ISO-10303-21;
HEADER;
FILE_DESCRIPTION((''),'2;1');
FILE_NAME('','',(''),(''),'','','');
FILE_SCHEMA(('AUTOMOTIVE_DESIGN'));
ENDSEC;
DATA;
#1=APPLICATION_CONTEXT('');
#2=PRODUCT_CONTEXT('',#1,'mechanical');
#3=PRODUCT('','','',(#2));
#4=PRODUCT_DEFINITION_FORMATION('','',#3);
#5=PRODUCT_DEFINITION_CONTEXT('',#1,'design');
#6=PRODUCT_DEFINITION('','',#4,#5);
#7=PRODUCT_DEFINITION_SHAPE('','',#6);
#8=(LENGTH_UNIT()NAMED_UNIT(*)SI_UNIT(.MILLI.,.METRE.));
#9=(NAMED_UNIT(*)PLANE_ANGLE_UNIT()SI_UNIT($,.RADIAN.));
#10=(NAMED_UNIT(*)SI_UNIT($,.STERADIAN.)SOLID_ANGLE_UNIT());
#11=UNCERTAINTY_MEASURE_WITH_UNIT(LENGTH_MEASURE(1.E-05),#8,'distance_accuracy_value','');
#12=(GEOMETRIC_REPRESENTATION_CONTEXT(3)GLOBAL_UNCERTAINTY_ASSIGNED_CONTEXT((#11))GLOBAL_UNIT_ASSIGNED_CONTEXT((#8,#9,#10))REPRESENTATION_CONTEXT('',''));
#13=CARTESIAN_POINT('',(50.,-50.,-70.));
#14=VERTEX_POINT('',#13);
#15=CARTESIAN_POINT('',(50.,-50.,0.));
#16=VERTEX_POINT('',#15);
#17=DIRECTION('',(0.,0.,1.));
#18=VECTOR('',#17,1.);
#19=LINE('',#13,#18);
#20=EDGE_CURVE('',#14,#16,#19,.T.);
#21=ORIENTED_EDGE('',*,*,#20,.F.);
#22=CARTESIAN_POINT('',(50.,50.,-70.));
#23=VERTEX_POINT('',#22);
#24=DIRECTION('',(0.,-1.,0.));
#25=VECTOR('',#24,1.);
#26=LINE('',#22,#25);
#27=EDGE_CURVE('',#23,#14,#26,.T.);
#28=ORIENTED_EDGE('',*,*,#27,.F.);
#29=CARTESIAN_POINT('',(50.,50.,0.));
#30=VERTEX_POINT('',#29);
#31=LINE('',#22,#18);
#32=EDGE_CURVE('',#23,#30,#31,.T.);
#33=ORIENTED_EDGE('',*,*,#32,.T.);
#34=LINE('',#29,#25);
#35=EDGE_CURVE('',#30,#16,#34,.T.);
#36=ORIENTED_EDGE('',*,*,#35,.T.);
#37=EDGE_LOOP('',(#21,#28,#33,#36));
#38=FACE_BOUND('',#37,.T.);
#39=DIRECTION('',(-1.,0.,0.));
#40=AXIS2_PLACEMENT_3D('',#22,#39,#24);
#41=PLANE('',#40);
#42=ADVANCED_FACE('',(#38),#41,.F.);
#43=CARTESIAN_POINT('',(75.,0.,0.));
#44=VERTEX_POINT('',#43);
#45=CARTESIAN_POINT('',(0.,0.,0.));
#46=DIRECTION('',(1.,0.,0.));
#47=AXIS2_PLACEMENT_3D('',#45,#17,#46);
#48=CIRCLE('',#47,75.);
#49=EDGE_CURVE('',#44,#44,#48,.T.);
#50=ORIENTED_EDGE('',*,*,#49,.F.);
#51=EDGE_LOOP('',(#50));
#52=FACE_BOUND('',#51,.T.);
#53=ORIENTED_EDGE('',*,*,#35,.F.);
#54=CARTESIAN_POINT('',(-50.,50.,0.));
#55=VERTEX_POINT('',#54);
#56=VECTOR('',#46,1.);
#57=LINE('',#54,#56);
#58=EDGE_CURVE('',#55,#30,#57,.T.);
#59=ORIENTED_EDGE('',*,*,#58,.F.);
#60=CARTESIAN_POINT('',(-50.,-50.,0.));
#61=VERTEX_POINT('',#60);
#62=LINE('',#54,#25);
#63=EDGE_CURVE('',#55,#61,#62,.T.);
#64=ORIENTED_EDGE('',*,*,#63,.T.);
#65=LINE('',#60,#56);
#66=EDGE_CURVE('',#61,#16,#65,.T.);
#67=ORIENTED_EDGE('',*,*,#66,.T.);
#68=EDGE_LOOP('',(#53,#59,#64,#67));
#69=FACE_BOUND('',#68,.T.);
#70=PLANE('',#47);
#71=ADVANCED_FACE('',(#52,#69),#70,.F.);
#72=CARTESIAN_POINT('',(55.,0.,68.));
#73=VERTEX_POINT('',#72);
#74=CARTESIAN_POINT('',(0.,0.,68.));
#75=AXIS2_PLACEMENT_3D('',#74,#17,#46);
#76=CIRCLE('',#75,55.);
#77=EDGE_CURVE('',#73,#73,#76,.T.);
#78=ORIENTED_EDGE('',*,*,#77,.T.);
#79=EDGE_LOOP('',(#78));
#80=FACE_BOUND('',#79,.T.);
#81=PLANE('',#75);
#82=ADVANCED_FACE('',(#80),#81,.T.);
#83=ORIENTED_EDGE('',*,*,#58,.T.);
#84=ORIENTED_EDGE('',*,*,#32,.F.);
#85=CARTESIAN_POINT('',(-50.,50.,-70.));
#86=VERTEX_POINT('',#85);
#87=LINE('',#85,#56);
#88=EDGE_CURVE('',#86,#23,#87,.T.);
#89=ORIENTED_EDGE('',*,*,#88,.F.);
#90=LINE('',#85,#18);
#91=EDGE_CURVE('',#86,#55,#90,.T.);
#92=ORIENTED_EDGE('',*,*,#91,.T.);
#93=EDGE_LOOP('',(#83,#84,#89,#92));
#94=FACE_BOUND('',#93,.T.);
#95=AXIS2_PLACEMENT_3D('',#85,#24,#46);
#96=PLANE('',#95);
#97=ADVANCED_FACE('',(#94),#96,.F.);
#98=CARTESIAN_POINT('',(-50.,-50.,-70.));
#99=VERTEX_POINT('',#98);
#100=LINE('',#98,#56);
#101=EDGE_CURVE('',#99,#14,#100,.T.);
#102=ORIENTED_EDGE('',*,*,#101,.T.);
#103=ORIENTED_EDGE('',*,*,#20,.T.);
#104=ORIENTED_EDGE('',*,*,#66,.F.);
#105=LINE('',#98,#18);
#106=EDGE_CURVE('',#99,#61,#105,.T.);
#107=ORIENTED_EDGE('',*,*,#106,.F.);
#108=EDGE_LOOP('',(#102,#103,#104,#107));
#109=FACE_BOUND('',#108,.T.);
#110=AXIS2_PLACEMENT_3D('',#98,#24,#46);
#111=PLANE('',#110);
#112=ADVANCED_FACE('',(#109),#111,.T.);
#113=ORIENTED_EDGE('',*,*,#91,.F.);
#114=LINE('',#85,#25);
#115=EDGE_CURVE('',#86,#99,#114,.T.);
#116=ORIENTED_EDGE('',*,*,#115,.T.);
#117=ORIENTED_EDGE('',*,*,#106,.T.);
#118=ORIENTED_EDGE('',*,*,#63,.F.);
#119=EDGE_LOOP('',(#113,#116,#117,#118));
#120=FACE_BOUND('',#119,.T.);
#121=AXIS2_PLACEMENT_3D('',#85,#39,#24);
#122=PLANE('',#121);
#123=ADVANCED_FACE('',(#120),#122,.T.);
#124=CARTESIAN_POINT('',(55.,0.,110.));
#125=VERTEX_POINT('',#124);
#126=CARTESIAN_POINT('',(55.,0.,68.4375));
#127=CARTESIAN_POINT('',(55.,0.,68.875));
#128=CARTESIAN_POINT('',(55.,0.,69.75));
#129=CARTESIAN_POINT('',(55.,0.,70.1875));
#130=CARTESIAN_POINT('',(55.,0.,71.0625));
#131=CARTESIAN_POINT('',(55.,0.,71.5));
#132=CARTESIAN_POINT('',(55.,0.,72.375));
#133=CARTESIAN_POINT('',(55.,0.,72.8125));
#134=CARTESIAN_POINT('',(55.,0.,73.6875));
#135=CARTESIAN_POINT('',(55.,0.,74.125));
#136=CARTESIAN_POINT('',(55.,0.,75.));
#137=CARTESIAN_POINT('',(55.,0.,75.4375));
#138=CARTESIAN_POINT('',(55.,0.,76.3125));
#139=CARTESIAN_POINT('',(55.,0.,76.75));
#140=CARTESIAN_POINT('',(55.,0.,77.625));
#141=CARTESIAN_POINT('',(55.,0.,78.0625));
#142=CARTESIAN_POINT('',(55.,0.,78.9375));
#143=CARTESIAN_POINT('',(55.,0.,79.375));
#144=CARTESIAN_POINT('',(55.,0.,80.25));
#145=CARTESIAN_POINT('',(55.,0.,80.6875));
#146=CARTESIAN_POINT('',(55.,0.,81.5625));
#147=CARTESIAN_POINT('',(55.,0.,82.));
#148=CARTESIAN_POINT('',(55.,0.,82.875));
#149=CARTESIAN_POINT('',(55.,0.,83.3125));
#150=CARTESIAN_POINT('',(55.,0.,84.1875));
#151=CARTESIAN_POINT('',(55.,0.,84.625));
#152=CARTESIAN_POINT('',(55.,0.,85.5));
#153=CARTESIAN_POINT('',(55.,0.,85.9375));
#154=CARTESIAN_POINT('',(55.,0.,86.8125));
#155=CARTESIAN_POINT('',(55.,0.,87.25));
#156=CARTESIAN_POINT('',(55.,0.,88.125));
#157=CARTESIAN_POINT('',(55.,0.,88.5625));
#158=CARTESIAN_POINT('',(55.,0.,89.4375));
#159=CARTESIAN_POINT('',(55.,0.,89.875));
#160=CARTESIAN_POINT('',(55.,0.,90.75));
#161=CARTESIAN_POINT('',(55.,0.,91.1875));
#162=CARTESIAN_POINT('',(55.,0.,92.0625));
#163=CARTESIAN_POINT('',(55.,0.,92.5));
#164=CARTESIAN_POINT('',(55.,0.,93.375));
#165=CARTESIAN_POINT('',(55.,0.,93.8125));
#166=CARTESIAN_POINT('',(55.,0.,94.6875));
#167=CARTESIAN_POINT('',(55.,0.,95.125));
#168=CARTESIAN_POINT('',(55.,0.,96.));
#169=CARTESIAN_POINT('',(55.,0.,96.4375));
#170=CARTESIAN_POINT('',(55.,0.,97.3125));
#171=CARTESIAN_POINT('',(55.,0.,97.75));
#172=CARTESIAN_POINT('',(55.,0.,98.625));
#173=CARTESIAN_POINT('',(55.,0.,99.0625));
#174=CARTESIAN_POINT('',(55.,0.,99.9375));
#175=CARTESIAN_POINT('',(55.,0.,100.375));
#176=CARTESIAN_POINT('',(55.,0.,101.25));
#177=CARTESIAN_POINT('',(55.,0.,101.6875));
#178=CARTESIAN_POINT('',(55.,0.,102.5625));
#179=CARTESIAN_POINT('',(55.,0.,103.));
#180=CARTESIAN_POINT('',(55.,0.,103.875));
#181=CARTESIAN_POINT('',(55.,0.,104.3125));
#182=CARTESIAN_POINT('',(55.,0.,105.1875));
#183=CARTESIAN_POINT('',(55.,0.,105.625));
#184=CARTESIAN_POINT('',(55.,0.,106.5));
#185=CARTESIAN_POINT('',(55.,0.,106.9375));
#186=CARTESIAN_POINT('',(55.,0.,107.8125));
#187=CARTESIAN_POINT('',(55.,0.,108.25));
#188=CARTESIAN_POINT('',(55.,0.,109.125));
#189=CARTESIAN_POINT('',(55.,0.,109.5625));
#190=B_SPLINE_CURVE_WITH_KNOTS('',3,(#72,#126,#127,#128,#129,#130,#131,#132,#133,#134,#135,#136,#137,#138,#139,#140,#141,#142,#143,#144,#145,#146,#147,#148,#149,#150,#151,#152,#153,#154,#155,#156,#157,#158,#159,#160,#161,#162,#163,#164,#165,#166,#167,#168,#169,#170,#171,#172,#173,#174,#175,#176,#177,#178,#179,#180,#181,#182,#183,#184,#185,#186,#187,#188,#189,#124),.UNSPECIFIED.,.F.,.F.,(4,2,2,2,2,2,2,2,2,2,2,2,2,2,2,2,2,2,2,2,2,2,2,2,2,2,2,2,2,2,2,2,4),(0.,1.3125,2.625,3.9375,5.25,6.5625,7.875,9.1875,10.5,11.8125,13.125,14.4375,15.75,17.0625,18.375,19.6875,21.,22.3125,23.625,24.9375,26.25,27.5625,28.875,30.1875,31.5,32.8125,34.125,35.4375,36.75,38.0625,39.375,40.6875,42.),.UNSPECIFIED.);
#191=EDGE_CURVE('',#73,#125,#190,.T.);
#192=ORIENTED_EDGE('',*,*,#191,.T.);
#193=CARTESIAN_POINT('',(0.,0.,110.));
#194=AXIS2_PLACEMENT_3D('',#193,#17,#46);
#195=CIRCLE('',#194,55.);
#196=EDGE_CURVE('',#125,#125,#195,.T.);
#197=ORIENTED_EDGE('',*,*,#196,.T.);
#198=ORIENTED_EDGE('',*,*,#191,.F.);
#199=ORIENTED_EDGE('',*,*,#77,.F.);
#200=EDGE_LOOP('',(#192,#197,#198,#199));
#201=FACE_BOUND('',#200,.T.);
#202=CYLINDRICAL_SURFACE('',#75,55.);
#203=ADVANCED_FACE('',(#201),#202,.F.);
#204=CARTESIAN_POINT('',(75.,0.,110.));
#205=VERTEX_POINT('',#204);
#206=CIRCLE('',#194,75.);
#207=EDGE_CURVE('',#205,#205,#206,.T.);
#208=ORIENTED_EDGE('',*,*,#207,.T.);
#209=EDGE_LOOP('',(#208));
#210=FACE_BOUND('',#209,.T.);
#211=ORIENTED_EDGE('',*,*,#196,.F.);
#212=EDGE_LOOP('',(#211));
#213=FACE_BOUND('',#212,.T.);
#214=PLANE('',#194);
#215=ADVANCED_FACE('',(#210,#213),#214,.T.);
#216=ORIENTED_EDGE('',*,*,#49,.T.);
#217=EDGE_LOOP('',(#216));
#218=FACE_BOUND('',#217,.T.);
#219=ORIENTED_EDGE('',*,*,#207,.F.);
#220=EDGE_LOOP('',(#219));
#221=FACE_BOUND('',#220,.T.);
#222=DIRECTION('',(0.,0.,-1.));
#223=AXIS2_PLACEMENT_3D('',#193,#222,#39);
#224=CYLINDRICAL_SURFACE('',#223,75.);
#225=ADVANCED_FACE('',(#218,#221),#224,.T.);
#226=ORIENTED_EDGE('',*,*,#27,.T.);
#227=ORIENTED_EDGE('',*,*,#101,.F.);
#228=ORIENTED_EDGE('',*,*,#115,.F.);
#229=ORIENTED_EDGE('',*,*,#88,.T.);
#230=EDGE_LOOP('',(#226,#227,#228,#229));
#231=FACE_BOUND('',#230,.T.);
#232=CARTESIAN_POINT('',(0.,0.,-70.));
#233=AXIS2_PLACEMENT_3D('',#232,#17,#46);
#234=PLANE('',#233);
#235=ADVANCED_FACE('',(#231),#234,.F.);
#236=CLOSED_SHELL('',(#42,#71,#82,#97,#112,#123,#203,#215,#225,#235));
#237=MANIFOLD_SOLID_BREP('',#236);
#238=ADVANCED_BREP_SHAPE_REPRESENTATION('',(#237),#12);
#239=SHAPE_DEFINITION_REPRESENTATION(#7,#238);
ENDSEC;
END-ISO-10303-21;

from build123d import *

# Parameters (mm, degrees)
SKETCH1_R           = 75
BOSS_EXTRUDE1_DEPTH = 110
SKETCH3_W           = 100
SKETCH3_H           = 100
BOSS_EXTRUDE2_DEPTH = 70
SKETCH4_R           = 55
CUT_EXTRUDE1_DEPTH  = 42


with BuildPart() as part:
    # Sketch1 → Boss-Extrude1 (new body)
    with BuildSketch(Plane.XY):
        Circle(SKETCH1_R)
    extrude(amount=BOSS_EXTRUDE1_DEPTH)

    # Sketch3 → Boss-Extrude2 (add)
    with BuildSketch(Plane(origin=(0, 0, 0), x_dir=(-1, 0, 0), z_dir=(0, 0, -1))):
        Rectangle(SKETCH3_W, SKETCH3_H)
    extrude(amount=BOSS_EXTRUDE2_DEPTH)

    # Sketch4 → Cut-Extrude1 (cut)
    with BuildSketch(Plane.XY.offset(110)):
        Circle(SKETCH4_R)
    extrude(amount=-CUT_EXTRUDE1_DEPTH, mode=Mode.SUBTRACT)


solid = part.part
